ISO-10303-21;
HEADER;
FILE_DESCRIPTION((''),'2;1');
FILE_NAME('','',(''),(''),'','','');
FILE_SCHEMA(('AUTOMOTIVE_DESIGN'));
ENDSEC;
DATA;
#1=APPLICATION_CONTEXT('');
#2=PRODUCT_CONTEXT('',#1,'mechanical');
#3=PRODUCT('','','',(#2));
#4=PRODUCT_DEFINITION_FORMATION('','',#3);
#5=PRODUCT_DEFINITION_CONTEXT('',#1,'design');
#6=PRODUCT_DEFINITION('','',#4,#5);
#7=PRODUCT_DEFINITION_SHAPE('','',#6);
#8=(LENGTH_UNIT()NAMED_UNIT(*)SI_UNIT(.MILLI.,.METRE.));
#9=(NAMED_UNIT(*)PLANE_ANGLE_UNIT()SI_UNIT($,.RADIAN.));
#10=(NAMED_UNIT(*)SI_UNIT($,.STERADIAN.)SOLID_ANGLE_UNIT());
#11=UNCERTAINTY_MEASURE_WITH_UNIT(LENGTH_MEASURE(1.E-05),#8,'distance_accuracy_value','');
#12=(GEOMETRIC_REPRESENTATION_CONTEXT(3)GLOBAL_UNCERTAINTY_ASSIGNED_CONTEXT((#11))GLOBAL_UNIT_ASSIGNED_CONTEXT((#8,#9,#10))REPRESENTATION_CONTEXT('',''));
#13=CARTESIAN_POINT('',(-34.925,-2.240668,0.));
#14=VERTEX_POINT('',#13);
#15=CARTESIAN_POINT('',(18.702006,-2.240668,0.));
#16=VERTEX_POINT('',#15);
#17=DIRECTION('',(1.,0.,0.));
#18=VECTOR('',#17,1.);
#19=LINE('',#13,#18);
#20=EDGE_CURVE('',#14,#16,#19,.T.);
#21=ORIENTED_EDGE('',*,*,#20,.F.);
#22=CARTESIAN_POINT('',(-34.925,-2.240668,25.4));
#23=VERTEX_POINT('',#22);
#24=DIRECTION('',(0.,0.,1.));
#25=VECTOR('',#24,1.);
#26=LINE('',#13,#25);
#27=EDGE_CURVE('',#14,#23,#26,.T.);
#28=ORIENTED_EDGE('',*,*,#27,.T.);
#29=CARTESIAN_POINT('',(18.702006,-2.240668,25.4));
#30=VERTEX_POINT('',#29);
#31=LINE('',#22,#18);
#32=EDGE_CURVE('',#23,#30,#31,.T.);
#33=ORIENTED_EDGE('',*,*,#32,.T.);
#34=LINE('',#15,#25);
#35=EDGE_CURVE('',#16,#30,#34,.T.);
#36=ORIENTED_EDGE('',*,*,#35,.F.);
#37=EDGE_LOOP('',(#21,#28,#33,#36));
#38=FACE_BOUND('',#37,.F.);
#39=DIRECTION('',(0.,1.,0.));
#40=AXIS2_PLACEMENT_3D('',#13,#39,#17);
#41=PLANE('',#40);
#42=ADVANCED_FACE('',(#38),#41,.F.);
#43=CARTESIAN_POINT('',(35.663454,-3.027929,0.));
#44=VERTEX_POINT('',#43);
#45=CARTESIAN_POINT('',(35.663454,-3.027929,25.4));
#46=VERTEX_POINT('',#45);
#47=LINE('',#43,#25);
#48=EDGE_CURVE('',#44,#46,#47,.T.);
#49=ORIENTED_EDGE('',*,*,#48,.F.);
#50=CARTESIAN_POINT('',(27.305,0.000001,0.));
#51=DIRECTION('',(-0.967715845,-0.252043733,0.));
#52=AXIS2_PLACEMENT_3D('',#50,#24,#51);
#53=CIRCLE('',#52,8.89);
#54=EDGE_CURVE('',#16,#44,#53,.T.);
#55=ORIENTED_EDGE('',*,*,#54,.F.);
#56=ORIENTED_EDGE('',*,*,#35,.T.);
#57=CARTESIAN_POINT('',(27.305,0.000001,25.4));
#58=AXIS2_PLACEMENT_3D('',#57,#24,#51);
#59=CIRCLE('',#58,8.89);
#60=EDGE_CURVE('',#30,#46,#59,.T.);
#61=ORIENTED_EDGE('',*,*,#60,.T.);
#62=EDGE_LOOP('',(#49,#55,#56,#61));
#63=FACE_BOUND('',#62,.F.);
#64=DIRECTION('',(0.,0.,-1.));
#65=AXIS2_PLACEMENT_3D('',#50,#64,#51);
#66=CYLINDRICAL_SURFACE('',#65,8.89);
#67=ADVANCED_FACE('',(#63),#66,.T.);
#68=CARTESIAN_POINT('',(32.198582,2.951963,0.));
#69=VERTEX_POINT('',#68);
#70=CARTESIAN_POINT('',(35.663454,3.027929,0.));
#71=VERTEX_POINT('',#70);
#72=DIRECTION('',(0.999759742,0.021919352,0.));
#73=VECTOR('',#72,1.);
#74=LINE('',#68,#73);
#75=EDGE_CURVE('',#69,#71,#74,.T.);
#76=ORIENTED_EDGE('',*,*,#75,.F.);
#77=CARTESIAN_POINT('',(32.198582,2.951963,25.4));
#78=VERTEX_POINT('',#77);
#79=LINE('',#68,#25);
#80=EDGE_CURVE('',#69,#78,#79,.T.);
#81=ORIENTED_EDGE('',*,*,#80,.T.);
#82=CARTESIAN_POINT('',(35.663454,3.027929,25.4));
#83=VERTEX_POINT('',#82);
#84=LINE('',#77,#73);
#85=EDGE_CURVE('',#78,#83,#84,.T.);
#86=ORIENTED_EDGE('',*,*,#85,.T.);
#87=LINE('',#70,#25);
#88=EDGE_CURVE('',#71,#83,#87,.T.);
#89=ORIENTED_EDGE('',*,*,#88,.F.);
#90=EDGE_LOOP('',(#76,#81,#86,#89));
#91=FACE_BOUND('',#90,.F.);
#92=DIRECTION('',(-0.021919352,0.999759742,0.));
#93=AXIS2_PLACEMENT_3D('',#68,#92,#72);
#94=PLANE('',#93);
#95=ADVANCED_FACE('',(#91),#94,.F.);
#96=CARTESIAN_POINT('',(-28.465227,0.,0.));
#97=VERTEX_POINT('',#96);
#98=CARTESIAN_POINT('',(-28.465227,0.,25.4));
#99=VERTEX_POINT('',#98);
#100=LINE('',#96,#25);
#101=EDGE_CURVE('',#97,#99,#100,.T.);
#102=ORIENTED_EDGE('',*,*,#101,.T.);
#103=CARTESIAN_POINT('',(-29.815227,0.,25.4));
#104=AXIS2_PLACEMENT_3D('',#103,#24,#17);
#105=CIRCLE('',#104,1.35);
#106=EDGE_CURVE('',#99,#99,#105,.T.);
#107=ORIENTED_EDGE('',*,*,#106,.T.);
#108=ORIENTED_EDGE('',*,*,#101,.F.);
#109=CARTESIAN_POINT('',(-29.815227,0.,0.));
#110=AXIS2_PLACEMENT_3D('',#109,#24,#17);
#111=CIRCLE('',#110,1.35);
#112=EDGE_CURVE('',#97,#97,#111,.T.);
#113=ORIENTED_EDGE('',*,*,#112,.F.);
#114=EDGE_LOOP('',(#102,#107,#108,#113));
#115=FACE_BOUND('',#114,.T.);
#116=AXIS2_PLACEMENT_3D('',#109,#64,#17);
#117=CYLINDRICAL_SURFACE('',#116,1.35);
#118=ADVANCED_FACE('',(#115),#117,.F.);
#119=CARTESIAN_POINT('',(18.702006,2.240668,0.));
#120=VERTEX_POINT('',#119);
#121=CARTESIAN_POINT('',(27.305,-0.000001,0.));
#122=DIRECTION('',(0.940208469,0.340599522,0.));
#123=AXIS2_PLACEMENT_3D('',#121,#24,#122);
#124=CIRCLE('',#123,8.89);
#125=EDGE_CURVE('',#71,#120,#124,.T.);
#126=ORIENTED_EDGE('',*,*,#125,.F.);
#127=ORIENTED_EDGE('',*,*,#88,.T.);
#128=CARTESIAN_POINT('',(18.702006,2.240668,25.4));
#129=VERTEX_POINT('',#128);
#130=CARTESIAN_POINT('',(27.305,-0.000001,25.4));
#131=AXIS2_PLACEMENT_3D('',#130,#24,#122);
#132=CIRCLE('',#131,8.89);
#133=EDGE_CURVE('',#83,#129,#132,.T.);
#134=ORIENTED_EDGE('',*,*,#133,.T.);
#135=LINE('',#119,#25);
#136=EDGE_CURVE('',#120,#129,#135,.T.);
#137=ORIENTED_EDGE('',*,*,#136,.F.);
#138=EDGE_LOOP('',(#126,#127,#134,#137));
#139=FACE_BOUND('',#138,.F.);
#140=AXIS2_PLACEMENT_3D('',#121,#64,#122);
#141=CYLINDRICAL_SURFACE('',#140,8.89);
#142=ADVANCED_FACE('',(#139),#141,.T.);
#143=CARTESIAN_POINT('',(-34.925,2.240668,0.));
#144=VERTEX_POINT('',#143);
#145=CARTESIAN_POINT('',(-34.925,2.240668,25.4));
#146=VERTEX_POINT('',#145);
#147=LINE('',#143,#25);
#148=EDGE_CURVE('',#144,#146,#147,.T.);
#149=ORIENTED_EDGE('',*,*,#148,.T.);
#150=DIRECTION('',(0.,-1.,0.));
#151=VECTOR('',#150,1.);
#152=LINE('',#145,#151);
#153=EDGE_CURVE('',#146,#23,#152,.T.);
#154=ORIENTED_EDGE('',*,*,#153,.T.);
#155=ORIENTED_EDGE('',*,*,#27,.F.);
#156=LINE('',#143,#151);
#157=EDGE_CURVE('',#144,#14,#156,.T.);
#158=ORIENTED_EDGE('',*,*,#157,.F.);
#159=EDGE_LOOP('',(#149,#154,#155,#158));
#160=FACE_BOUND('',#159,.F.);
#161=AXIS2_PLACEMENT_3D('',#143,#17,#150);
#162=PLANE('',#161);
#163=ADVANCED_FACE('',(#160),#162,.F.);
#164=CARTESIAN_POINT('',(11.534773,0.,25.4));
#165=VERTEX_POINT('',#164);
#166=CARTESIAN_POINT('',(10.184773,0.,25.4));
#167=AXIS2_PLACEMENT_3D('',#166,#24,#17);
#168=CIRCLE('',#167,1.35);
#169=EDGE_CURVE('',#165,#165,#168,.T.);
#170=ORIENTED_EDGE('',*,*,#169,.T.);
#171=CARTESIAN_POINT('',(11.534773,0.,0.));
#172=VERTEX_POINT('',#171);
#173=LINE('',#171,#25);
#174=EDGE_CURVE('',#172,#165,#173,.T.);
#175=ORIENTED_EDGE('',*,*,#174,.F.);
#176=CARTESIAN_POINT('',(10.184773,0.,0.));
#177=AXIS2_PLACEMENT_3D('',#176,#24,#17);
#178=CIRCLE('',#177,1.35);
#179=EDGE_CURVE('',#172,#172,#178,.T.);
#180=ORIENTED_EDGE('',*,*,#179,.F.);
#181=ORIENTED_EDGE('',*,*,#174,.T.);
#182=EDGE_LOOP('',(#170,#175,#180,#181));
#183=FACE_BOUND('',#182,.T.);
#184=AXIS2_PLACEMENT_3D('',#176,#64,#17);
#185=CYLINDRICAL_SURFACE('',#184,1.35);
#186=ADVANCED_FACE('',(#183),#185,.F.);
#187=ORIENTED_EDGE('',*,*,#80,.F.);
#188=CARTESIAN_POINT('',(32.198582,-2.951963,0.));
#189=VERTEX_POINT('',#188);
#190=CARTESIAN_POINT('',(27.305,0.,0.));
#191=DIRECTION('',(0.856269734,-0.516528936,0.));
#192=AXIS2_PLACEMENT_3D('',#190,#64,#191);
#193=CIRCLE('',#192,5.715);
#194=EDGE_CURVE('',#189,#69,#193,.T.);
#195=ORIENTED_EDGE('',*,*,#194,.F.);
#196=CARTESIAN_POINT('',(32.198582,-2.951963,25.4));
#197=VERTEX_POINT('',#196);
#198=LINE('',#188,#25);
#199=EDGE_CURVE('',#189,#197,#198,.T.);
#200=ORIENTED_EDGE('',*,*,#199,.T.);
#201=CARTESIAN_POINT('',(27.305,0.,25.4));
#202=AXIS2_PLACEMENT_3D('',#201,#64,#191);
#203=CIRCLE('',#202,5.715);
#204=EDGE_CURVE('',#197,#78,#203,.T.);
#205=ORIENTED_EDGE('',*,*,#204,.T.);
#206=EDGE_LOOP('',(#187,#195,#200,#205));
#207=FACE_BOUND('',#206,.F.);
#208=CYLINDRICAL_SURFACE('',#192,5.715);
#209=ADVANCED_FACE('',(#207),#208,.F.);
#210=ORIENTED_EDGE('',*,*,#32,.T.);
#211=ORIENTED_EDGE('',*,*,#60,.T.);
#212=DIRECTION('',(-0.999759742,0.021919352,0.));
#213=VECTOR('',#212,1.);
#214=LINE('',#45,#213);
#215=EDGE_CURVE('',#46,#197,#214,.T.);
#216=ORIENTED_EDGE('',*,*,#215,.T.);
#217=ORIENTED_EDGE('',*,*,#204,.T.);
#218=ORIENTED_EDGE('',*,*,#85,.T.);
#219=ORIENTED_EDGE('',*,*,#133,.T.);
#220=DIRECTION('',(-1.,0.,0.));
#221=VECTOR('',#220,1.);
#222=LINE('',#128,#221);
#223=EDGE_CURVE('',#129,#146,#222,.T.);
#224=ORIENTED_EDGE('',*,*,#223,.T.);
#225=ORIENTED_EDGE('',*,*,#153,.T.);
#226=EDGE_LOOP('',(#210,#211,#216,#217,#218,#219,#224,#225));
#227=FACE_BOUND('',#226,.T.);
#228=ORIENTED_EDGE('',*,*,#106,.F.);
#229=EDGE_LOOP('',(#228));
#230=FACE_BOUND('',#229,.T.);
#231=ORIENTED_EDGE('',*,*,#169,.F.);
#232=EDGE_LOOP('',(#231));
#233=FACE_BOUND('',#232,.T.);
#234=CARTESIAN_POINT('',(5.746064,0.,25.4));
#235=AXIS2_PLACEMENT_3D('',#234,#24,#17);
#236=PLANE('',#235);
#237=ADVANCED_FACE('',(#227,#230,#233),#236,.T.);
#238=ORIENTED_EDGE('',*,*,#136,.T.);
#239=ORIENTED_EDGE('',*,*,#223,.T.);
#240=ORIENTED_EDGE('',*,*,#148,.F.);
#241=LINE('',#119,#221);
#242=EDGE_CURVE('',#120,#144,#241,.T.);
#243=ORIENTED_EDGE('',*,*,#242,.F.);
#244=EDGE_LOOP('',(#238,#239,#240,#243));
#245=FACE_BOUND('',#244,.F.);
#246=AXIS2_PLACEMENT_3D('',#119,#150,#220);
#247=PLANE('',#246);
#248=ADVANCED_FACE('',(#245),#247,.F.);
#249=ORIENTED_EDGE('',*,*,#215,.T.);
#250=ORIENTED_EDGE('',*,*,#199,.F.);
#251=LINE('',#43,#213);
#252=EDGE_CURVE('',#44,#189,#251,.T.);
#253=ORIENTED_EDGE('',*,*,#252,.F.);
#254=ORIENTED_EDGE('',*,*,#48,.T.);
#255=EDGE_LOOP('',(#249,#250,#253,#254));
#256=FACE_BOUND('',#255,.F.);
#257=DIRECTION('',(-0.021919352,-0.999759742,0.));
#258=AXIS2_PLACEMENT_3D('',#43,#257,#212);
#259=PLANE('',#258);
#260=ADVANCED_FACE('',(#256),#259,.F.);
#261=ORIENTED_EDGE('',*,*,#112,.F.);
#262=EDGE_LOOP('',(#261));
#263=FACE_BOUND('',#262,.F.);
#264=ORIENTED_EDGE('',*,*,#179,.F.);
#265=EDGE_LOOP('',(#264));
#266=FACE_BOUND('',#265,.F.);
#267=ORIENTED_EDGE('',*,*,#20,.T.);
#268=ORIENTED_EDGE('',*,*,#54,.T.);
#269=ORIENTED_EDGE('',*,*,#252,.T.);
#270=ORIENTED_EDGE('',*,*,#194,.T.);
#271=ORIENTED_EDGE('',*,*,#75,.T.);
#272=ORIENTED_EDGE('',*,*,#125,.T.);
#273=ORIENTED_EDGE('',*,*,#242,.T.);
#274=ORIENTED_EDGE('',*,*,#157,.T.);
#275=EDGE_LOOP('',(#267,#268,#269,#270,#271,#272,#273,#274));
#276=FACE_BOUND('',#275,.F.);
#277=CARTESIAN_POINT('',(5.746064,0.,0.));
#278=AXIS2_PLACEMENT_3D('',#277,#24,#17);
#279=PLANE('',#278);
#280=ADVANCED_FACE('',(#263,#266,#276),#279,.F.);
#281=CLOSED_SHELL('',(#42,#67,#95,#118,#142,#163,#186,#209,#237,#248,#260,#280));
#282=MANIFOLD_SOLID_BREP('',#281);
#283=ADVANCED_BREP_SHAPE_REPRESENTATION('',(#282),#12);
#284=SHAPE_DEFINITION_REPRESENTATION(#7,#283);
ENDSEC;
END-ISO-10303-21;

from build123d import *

# Parameters (mm, degrees)
F0_R     = 1.35
F1_DEPTH = 25.4


with BuildPart() as f1:
    # F0 (on Top) → F1 (new body)
    with BuildSketch(Plane.XY):
        with BuildLine():
            Line((-34.925, 2.240668), (-34.925, -2.240668))
            Line((-34.925, -2.240668), (18.702006, -2.240668))
            ThreePointArc((18.702006, -2.240668), (26.892817, -8.880439), (35.663454, -3.027929))
            Line((35.663454, -3.027929), (32.198582, -2.951963))
            ThreePointArc((32.198582, -2.951963), (21.59, 0), (32.198582, 2.951963))
            Line((32.198582, 2.951963), (35.663454, 3.027929))
            ThreePointArc((35.663454, 3.027929), (26.892817, 8.880439), (18.702006, 2.240668))
            Line((18.702006, 2.240668), (-34.925, 2.240668))
        make_face()
        with Locations((-29.815227, 0)):
            Circle(F0_R, mode=Mode.SUBTRACT)
        with Locations((10.184773, 0)):
            Circle(F0_R, mode=Mode.SUBTRACT)
    extrude(amount=F1_DEPTH)


solid = f1.part
